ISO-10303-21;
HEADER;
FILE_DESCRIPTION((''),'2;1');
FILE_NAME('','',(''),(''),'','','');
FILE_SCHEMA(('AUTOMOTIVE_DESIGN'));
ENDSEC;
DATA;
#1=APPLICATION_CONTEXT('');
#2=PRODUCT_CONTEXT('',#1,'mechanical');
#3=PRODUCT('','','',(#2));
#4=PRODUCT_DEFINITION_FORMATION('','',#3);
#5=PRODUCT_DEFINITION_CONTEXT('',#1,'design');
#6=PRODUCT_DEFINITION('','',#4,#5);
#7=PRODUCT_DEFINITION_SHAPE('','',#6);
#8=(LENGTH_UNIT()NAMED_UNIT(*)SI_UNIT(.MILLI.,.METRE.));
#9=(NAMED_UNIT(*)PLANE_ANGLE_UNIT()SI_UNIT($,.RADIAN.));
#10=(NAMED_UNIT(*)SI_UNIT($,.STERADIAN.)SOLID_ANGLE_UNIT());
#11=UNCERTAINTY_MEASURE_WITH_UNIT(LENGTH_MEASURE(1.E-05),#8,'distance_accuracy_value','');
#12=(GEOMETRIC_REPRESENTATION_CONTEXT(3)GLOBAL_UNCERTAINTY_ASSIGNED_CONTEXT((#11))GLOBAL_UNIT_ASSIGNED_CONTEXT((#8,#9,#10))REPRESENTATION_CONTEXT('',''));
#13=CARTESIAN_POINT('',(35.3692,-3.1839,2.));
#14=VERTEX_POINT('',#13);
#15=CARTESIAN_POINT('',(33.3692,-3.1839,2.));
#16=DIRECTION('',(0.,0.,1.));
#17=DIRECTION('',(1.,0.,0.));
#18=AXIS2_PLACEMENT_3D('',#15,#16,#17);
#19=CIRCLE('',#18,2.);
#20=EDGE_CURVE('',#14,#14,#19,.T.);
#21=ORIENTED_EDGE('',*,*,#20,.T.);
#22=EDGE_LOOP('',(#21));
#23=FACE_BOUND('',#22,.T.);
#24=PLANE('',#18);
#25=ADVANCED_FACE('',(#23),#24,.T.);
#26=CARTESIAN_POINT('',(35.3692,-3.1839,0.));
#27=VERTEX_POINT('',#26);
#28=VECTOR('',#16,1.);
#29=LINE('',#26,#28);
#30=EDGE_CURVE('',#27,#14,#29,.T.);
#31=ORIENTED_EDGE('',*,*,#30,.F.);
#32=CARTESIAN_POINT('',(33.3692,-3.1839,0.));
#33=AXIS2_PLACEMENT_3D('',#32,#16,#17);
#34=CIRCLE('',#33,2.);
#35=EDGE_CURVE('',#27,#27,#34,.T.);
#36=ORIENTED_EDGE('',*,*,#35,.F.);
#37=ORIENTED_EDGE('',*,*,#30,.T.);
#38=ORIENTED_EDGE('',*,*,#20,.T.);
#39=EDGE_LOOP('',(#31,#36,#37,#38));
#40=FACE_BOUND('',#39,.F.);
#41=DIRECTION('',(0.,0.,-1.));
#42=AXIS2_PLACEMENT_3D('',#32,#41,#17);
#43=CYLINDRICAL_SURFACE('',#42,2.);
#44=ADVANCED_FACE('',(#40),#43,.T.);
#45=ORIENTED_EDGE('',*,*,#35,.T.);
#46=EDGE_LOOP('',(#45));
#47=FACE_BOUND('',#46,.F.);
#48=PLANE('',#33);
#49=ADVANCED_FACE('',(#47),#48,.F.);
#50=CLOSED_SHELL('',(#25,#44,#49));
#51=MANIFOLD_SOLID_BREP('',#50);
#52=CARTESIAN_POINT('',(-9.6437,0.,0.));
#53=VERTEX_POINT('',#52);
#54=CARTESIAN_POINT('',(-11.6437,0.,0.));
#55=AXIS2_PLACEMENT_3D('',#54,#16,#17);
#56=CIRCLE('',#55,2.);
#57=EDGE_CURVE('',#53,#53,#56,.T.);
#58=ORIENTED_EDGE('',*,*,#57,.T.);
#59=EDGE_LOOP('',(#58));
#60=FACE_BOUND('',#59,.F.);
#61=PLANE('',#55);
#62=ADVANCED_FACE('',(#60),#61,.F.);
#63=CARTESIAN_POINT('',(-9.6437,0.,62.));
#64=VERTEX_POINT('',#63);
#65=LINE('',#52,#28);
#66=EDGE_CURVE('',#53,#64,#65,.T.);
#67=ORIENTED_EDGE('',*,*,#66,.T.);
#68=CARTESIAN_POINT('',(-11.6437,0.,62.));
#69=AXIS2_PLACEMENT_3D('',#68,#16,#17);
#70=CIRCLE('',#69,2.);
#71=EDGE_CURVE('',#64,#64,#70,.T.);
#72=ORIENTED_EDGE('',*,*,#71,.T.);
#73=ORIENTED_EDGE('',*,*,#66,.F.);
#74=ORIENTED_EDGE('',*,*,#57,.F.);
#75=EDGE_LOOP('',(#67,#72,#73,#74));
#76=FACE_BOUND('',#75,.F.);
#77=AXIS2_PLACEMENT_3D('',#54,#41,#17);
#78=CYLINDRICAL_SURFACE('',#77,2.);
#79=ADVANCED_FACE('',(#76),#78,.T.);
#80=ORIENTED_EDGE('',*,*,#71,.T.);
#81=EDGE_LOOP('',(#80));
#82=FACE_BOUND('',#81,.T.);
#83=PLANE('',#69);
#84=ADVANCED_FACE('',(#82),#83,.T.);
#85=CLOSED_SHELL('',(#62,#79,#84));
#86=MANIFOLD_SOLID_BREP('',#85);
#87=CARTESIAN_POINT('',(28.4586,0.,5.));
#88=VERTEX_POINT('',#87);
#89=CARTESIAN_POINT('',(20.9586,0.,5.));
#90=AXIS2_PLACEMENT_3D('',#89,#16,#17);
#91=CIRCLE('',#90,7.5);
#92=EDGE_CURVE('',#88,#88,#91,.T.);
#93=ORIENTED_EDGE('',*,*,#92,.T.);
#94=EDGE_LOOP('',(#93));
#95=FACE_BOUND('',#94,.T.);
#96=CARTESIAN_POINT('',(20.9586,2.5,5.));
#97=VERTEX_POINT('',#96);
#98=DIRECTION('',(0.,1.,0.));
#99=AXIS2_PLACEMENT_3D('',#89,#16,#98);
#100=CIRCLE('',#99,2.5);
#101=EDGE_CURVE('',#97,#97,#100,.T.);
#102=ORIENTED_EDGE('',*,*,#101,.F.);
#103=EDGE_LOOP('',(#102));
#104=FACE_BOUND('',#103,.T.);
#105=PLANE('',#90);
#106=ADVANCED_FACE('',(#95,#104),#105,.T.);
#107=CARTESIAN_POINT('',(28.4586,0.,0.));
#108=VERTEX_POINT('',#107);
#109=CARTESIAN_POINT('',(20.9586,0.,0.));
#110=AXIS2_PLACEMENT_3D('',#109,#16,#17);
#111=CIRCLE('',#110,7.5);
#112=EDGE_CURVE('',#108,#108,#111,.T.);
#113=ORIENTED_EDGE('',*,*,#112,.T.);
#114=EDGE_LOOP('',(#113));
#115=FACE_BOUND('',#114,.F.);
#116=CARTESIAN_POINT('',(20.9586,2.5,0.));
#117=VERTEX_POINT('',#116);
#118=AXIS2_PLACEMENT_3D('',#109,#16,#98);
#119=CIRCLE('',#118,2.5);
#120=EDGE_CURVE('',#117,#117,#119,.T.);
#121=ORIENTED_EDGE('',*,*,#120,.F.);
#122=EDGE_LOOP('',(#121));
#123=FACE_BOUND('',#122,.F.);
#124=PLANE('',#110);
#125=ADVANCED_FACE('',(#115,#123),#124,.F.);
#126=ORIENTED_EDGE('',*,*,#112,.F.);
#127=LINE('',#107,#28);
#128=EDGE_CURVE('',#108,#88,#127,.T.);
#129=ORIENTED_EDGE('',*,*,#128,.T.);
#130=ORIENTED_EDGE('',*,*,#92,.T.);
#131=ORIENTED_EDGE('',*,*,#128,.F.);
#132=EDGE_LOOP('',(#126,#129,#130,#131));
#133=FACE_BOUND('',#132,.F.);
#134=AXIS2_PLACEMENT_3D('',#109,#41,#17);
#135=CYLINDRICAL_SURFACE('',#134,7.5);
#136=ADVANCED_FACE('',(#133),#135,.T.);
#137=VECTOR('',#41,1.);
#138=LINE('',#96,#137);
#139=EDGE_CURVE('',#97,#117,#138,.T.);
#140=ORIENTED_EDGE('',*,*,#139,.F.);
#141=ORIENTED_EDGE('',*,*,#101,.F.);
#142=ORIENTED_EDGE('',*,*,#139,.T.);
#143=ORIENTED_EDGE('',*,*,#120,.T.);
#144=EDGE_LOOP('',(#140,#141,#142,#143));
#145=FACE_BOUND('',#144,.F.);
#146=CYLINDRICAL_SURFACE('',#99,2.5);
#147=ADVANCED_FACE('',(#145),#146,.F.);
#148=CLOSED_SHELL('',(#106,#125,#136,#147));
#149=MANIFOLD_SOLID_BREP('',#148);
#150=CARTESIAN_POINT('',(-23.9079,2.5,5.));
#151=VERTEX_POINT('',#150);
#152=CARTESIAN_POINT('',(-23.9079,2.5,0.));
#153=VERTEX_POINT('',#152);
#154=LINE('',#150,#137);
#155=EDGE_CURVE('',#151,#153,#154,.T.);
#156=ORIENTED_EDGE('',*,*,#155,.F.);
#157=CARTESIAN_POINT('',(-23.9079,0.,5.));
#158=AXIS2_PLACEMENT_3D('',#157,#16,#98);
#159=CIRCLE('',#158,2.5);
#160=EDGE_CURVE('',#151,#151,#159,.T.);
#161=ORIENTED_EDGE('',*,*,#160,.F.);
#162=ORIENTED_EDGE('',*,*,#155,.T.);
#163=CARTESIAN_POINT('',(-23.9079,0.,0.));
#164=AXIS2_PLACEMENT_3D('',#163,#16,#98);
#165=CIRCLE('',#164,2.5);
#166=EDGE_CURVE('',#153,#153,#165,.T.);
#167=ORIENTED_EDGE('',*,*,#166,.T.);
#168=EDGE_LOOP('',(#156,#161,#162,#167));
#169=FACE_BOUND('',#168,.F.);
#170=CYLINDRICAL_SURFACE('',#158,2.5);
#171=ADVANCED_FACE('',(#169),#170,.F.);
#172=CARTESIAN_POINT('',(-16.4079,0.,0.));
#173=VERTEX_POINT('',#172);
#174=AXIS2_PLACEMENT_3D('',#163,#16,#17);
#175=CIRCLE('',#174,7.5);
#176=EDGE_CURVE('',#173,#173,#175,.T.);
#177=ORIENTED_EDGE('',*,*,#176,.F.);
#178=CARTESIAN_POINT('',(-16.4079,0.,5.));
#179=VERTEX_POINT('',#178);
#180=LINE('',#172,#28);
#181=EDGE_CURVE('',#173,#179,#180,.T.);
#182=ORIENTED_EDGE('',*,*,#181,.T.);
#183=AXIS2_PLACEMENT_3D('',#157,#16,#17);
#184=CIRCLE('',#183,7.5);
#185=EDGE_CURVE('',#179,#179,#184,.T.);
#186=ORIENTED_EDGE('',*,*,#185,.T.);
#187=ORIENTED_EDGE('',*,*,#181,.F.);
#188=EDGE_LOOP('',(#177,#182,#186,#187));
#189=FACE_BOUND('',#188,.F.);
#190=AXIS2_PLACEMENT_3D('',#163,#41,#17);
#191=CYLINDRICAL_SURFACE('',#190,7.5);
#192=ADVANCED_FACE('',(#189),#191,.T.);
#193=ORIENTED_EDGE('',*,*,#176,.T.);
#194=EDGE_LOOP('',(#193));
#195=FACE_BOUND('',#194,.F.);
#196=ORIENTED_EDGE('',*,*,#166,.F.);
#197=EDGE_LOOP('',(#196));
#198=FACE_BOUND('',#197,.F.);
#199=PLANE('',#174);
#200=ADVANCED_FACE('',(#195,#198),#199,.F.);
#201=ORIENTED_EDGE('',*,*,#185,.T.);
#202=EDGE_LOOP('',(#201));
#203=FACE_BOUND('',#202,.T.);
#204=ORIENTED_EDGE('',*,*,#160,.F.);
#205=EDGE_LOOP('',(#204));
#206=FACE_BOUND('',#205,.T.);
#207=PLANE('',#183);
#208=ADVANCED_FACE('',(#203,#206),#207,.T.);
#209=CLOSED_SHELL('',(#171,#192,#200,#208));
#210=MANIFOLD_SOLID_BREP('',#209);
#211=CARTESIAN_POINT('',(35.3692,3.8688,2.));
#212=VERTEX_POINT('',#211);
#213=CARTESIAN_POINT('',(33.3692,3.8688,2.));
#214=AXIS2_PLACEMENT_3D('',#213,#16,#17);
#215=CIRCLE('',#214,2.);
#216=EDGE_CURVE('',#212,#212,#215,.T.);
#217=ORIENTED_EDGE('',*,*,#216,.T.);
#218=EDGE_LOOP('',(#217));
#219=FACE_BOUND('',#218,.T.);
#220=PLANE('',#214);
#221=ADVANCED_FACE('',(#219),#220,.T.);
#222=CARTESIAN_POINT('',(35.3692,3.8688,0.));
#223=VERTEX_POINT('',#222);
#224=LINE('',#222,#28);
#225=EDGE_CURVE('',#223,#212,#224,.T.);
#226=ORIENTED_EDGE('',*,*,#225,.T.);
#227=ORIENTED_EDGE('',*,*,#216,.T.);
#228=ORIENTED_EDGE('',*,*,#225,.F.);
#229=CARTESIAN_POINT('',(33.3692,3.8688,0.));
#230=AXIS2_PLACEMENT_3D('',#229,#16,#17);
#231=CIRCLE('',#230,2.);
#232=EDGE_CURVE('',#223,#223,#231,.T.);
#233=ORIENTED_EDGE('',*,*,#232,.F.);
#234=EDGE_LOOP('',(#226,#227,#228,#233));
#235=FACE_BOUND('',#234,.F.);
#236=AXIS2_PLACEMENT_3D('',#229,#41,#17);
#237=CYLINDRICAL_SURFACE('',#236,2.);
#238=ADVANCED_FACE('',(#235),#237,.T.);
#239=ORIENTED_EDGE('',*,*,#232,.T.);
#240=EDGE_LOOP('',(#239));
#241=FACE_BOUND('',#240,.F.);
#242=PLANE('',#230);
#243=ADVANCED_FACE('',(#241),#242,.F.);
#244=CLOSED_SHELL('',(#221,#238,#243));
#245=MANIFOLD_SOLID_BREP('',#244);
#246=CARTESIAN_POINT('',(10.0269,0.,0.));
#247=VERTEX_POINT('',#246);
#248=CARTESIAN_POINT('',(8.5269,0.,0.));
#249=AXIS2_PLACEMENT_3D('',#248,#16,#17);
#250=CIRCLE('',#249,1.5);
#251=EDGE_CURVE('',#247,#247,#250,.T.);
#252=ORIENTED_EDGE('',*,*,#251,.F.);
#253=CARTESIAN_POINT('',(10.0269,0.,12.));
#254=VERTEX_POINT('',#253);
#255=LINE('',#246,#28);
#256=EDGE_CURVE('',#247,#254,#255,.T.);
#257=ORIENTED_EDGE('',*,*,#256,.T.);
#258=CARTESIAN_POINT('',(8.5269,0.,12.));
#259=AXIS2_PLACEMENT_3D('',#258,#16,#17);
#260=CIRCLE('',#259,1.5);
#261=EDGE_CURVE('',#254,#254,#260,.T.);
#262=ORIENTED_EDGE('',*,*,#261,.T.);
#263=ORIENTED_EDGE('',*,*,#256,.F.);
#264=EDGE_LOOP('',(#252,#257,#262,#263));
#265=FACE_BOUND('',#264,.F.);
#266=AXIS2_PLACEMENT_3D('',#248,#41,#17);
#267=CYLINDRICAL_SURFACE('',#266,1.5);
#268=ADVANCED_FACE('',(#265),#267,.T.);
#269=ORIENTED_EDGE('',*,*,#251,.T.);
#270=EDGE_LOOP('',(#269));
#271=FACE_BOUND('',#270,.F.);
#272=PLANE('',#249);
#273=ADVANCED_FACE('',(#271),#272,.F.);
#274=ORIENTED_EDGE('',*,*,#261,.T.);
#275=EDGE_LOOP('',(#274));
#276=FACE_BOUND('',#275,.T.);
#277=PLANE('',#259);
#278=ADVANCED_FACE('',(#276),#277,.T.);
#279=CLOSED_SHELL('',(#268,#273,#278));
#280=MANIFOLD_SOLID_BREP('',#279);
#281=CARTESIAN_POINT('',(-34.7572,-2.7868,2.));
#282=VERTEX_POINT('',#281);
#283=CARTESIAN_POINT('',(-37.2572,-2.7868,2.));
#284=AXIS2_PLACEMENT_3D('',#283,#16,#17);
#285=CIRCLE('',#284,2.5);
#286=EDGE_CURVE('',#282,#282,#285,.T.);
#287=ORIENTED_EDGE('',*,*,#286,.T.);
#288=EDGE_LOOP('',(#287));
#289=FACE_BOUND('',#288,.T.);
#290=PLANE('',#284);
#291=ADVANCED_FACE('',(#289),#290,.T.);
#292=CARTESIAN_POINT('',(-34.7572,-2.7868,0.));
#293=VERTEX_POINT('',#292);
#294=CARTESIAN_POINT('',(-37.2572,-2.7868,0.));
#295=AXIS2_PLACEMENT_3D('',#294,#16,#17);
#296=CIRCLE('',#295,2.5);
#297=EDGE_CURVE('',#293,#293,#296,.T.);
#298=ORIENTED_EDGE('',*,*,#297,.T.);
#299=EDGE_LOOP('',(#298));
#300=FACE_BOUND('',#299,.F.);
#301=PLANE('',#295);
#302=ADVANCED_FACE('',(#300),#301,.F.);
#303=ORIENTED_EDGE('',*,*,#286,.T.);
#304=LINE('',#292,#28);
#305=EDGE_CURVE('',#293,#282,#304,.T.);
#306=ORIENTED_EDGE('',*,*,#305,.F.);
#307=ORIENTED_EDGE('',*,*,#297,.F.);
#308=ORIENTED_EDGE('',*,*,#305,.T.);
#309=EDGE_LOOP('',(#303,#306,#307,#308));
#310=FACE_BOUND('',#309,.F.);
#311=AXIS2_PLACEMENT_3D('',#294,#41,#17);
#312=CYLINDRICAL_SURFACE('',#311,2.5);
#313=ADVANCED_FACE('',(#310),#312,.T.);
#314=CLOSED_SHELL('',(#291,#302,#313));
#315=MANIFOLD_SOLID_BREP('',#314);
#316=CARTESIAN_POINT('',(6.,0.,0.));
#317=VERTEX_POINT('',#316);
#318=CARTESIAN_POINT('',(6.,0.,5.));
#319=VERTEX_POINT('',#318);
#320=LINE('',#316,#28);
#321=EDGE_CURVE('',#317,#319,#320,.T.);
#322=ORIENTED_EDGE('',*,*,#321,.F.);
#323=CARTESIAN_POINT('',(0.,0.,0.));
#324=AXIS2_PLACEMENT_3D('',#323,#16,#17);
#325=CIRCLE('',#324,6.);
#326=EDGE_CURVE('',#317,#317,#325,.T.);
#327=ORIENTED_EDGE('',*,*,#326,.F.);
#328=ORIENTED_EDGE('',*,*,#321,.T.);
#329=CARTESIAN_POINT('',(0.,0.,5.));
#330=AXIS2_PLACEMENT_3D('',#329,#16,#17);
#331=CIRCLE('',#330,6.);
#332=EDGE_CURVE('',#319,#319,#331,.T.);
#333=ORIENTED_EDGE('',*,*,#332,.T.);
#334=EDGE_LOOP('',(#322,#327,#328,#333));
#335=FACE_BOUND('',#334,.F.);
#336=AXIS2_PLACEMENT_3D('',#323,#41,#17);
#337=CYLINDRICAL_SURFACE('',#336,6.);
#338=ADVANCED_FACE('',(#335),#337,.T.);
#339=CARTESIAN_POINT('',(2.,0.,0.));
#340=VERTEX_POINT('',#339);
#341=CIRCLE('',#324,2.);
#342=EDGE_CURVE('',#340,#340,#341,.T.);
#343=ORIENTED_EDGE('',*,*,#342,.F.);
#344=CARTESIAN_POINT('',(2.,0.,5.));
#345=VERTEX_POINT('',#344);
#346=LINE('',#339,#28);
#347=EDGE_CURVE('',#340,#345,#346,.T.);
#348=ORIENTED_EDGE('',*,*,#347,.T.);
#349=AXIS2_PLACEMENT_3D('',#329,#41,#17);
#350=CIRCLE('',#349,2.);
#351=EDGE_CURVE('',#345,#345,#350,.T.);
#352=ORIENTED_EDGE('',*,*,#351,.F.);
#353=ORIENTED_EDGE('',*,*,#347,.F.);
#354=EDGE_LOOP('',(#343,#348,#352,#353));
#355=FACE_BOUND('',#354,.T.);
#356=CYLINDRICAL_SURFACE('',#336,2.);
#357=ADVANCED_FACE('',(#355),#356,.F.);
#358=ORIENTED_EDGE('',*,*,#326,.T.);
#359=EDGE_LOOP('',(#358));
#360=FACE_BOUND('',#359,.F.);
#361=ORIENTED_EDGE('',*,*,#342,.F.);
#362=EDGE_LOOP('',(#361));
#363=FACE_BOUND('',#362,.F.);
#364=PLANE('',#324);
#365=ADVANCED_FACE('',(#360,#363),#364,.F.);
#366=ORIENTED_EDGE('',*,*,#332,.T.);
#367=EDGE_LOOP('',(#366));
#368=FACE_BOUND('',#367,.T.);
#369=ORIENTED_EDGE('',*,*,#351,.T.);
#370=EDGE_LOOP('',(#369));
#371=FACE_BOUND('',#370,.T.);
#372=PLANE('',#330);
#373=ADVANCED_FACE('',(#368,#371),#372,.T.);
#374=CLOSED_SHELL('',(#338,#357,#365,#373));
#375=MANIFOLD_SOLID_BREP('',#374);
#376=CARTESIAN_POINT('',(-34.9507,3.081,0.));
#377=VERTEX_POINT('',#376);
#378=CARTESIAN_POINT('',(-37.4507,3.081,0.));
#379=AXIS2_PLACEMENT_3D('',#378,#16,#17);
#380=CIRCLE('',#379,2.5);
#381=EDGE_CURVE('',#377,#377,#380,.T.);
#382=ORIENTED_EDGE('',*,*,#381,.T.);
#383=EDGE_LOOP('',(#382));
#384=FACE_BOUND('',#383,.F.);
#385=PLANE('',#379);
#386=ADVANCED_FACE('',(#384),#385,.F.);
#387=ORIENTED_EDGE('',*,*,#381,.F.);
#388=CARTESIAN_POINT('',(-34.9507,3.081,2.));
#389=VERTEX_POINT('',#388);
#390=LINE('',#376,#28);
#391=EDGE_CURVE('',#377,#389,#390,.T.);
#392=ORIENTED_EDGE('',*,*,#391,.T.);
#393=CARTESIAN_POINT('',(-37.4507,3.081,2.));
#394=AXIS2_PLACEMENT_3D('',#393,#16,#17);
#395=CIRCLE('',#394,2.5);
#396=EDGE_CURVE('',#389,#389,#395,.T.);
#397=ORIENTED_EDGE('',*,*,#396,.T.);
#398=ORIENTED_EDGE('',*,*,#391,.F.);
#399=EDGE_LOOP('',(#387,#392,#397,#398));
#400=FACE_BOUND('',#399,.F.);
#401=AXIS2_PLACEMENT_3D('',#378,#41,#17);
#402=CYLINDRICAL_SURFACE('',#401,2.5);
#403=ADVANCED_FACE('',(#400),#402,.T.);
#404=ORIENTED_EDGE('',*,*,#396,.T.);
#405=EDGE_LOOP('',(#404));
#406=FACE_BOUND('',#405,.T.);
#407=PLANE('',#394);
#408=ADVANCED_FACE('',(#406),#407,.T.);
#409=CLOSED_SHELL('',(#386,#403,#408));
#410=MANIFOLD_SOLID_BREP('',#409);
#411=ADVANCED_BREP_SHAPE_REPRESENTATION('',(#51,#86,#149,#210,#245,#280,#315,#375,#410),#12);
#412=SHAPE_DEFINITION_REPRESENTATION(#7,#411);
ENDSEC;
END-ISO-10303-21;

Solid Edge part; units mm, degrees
sketch "Sketch1" plane through (0, 0, 0) normal (0, 0, 1) x (1, 0, 0)
  circle A0 centre (0, 0) radius 6
extrude "Protrusion1" add sketch "Sketch1" along normal blind 5
sketch "Sketch2" plane through (0, 0, 0) normal (0, 0, 1) x (1, 0, 0)
  circle A0 centre (0, 0) radius 2
extrude "ExtrudedCutout_2" cut sketch "Sketch2" along normal mid plane 27.6135
sketch "Sketch3" plane through (0, 0, 0) normal (0, 0, 1) x (1, 0, 0)
  circle A0 centre (-11.6437, 0) radius 2
extrude "ExtrudedProtrusion_6" add sketch "Sketch3" along normal blind 62
sketch "Sketch4" plane through (0, 0, 0) normal (0, 0, 1) x (1, 0, 0)
  circle A0 centre (20.9586, 0) radius 7.5
extrude "ExtrudedProtrusion_7" add sketch "Sketch4" along normal blind 5
sketch "Sketch5" plane through (0, 0, 0) normal (0, 0, 1) x (1, 0, 0)
  circle A0 centre (-23.9079, 0) radius 7.5
extrude "ExtrudedProtrusion_8" add sketch "Sketch5" along normal blind 5
sketch "Sketch6" plane through (20.9586, 0, 5) normal (0, 0, 1) x (0, 1, 0)
  circle A0 centre (0, 44.8665) radius 2.5
  circle A1 centre (0, 0) radius 2.5
extrude "ExtrudedCutout_3" cut sketch "Sketch6" along normal mid plane 41.7834
sketch "Sketch7" plane through (0, 0, 0) normal (0, 0, 1) x (1, 0, 0)
  circle A0 centre (8.5269, 0) radius 1.5
extrude "ExtrudedProtrusion_9" add sketch "Sketch7" along normal blind 12
sketch "Sketch8" plane through (0, 0, 0) normal (0, 0, 1) x (1, 0, 0)
  circle A0 centre (33.3692, -3.1839) radius 2
  circle A1 centre (33.3692, 3.8688) radius 2
extrude "ExtrudedProtrusion_10" add sketch "Sketch8" along normal blind 2
sketch "Sketch9" plane through (0, 0, 0) normal (0, 0, 1) x (1, 0, 0)
  circle A0 centre (-37.2572, -2.7868) radius 2.5
  circle A1 centre (-37.4507, 3.081) radius 2.5
extrude "ExtrudedProtrusion_11" add sketch "Sketch9" along normal blind 2
